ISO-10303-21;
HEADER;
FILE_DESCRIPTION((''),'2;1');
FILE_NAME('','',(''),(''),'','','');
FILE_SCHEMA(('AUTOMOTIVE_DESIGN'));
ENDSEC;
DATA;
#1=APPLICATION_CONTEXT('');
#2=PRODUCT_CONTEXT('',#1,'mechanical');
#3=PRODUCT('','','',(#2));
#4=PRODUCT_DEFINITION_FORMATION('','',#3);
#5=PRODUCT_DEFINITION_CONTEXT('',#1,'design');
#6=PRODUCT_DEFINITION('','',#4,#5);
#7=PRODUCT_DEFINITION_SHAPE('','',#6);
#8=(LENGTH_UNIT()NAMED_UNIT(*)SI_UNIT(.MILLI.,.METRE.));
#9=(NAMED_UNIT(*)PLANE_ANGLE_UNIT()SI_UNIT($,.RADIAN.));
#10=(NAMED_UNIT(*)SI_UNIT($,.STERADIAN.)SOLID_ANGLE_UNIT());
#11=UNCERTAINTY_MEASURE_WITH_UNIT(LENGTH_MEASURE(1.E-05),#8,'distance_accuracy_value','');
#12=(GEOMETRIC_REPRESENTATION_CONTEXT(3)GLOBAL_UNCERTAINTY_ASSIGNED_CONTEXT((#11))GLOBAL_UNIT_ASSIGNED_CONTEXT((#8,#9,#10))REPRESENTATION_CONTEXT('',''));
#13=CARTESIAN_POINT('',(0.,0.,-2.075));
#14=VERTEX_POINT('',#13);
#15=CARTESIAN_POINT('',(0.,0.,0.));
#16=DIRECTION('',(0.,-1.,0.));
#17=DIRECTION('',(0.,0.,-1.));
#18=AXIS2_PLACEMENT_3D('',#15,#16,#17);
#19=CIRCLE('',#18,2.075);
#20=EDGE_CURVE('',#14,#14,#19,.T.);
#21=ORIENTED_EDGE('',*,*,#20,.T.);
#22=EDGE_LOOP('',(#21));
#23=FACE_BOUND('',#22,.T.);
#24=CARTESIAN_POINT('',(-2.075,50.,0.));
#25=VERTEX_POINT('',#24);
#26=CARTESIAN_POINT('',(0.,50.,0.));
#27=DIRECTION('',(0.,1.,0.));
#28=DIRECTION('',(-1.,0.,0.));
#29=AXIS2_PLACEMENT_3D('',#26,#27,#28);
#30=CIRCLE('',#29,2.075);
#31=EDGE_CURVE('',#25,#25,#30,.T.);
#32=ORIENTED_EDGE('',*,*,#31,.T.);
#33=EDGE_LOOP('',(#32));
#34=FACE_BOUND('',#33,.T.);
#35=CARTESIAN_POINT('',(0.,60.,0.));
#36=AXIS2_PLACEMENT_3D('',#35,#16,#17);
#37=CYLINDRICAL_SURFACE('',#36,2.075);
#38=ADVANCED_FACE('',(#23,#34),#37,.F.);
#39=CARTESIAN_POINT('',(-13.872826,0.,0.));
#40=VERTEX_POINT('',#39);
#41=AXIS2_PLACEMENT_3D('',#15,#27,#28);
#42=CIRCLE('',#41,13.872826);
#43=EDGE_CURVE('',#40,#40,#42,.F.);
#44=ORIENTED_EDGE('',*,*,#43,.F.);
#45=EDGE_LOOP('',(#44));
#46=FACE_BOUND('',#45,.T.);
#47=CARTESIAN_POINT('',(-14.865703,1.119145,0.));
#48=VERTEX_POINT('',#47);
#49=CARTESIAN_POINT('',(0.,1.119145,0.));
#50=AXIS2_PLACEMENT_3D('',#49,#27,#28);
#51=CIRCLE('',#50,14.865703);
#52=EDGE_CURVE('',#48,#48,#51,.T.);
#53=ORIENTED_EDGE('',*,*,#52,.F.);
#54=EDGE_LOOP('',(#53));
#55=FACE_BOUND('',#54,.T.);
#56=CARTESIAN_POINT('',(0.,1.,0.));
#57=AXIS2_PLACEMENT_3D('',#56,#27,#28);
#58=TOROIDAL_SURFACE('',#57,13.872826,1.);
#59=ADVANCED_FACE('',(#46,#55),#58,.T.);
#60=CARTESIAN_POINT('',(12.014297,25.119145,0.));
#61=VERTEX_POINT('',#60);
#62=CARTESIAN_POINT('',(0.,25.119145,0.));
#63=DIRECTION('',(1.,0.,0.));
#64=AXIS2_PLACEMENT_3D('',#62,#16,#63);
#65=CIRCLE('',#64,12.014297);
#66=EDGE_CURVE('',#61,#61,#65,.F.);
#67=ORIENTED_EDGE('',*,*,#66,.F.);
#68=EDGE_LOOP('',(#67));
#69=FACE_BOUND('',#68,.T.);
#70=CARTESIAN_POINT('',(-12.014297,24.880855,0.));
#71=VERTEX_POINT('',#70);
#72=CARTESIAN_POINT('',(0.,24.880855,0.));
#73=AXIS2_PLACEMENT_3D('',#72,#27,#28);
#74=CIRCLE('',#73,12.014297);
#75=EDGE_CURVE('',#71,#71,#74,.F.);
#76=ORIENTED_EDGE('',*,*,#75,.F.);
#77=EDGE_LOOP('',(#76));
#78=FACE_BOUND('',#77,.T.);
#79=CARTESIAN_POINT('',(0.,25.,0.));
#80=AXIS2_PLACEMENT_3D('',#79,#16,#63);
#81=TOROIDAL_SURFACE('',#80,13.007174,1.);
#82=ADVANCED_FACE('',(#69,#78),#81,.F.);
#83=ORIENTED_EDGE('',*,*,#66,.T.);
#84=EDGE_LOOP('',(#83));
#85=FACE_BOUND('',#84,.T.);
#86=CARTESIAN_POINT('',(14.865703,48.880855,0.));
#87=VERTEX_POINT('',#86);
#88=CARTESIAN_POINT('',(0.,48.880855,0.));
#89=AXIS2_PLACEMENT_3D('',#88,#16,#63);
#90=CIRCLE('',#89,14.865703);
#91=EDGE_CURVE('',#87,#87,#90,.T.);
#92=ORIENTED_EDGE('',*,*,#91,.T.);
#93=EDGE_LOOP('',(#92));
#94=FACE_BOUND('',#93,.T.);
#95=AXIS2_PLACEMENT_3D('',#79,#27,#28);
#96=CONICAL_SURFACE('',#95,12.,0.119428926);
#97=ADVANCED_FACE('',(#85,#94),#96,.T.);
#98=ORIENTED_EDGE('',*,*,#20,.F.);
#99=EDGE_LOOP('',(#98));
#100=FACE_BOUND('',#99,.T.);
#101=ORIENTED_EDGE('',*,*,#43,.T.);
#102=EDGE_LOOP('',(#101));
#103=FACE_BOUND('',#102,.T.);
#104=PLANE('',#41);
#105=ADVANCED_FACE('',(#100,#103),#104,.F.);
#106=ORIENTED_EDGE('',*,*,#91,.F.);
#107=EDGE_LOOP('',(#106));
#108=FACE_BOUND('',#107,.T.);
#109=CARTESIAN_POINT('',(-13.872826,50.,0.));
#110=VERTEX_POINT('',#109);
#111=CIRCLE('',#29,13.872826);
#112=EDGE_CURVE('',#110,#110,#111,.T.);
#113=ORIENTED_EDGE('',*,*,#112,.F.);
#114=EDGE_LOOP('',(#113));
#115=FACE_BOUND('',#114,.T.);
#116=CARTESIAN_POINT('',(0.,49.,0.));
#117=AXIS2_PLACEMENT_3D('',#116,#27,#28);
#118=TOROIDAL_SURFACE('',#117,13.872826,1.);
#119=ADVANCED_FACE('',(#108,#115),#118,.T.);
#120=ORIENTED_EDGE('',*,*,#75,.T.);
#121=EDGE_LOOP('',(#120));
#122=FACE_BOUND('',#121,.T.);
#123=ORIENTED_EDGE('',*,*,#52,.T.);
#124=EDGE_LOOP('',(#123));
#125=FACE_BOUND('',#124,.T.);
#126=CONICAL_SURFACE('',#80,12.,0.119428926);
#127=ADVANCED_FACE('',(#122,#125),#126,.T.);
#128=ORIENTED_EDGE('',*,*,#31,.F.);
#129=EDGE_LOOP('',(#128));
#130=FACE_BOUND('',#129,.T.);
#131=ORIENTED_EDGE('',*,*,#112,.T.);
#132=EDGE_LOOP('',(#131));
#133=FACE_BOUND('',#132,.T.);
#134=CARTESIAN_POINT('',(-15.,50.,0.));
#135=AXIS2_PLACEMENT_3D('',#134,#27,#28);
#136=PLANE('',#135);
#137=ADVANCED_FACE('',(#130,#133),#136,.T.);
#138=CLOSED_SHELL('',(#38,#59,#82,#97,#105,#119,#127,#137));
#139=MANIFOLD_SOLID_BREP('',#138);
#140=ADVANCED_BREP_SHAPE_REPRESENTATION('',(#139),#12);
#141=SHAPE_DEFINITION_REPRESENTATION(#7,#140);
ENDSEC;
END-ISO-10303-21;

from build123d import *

# Parameters (mm, degrees)
SKETCH_3_R          = 2.075
CUT_EXTRUDE_1_DEPTH = 60
FILLET_1_R          = 1


with BuildPart() as part:
    # 草图2 → 旋转1 (revolve)
    with BuildSketch(Plane.XY, mode=Mode.PRIVATE) as revolve_1_sk:
        Polygon((0, 0), (0, 50), (-15, 50), (-12, 25), (-15, 0), align=None)
    revolve(revolve_1_sk.sketch.rotate(Axis((0, 0, 0), (0, 1, 0)), 180), axis=Axis((0, 0, 0), (0, 1, 0)))

    # 草图3 → 切除-拉伸1 (cut)
    with BuildSketch(Plane.XZ):
        with Locations(Location((0, 0, 0), (0, 0, 270))):
            Circle(SKETCH_3_R)
    extrude(amount=-CUT_EXTRUDE_1_DEPTH, mode=Mode.SUBTRACT)

    # 圆角1
    fillet_1_edges = [part.edges().sort_by_distance(p)[0] for p in [
        (-15, 50, 0),
        (-15, 0, 0),
        (-12, 25, 0),
    ]]
    fillet(fillet_1_edges, radius=FILLET_1_R)


solid = part.part
